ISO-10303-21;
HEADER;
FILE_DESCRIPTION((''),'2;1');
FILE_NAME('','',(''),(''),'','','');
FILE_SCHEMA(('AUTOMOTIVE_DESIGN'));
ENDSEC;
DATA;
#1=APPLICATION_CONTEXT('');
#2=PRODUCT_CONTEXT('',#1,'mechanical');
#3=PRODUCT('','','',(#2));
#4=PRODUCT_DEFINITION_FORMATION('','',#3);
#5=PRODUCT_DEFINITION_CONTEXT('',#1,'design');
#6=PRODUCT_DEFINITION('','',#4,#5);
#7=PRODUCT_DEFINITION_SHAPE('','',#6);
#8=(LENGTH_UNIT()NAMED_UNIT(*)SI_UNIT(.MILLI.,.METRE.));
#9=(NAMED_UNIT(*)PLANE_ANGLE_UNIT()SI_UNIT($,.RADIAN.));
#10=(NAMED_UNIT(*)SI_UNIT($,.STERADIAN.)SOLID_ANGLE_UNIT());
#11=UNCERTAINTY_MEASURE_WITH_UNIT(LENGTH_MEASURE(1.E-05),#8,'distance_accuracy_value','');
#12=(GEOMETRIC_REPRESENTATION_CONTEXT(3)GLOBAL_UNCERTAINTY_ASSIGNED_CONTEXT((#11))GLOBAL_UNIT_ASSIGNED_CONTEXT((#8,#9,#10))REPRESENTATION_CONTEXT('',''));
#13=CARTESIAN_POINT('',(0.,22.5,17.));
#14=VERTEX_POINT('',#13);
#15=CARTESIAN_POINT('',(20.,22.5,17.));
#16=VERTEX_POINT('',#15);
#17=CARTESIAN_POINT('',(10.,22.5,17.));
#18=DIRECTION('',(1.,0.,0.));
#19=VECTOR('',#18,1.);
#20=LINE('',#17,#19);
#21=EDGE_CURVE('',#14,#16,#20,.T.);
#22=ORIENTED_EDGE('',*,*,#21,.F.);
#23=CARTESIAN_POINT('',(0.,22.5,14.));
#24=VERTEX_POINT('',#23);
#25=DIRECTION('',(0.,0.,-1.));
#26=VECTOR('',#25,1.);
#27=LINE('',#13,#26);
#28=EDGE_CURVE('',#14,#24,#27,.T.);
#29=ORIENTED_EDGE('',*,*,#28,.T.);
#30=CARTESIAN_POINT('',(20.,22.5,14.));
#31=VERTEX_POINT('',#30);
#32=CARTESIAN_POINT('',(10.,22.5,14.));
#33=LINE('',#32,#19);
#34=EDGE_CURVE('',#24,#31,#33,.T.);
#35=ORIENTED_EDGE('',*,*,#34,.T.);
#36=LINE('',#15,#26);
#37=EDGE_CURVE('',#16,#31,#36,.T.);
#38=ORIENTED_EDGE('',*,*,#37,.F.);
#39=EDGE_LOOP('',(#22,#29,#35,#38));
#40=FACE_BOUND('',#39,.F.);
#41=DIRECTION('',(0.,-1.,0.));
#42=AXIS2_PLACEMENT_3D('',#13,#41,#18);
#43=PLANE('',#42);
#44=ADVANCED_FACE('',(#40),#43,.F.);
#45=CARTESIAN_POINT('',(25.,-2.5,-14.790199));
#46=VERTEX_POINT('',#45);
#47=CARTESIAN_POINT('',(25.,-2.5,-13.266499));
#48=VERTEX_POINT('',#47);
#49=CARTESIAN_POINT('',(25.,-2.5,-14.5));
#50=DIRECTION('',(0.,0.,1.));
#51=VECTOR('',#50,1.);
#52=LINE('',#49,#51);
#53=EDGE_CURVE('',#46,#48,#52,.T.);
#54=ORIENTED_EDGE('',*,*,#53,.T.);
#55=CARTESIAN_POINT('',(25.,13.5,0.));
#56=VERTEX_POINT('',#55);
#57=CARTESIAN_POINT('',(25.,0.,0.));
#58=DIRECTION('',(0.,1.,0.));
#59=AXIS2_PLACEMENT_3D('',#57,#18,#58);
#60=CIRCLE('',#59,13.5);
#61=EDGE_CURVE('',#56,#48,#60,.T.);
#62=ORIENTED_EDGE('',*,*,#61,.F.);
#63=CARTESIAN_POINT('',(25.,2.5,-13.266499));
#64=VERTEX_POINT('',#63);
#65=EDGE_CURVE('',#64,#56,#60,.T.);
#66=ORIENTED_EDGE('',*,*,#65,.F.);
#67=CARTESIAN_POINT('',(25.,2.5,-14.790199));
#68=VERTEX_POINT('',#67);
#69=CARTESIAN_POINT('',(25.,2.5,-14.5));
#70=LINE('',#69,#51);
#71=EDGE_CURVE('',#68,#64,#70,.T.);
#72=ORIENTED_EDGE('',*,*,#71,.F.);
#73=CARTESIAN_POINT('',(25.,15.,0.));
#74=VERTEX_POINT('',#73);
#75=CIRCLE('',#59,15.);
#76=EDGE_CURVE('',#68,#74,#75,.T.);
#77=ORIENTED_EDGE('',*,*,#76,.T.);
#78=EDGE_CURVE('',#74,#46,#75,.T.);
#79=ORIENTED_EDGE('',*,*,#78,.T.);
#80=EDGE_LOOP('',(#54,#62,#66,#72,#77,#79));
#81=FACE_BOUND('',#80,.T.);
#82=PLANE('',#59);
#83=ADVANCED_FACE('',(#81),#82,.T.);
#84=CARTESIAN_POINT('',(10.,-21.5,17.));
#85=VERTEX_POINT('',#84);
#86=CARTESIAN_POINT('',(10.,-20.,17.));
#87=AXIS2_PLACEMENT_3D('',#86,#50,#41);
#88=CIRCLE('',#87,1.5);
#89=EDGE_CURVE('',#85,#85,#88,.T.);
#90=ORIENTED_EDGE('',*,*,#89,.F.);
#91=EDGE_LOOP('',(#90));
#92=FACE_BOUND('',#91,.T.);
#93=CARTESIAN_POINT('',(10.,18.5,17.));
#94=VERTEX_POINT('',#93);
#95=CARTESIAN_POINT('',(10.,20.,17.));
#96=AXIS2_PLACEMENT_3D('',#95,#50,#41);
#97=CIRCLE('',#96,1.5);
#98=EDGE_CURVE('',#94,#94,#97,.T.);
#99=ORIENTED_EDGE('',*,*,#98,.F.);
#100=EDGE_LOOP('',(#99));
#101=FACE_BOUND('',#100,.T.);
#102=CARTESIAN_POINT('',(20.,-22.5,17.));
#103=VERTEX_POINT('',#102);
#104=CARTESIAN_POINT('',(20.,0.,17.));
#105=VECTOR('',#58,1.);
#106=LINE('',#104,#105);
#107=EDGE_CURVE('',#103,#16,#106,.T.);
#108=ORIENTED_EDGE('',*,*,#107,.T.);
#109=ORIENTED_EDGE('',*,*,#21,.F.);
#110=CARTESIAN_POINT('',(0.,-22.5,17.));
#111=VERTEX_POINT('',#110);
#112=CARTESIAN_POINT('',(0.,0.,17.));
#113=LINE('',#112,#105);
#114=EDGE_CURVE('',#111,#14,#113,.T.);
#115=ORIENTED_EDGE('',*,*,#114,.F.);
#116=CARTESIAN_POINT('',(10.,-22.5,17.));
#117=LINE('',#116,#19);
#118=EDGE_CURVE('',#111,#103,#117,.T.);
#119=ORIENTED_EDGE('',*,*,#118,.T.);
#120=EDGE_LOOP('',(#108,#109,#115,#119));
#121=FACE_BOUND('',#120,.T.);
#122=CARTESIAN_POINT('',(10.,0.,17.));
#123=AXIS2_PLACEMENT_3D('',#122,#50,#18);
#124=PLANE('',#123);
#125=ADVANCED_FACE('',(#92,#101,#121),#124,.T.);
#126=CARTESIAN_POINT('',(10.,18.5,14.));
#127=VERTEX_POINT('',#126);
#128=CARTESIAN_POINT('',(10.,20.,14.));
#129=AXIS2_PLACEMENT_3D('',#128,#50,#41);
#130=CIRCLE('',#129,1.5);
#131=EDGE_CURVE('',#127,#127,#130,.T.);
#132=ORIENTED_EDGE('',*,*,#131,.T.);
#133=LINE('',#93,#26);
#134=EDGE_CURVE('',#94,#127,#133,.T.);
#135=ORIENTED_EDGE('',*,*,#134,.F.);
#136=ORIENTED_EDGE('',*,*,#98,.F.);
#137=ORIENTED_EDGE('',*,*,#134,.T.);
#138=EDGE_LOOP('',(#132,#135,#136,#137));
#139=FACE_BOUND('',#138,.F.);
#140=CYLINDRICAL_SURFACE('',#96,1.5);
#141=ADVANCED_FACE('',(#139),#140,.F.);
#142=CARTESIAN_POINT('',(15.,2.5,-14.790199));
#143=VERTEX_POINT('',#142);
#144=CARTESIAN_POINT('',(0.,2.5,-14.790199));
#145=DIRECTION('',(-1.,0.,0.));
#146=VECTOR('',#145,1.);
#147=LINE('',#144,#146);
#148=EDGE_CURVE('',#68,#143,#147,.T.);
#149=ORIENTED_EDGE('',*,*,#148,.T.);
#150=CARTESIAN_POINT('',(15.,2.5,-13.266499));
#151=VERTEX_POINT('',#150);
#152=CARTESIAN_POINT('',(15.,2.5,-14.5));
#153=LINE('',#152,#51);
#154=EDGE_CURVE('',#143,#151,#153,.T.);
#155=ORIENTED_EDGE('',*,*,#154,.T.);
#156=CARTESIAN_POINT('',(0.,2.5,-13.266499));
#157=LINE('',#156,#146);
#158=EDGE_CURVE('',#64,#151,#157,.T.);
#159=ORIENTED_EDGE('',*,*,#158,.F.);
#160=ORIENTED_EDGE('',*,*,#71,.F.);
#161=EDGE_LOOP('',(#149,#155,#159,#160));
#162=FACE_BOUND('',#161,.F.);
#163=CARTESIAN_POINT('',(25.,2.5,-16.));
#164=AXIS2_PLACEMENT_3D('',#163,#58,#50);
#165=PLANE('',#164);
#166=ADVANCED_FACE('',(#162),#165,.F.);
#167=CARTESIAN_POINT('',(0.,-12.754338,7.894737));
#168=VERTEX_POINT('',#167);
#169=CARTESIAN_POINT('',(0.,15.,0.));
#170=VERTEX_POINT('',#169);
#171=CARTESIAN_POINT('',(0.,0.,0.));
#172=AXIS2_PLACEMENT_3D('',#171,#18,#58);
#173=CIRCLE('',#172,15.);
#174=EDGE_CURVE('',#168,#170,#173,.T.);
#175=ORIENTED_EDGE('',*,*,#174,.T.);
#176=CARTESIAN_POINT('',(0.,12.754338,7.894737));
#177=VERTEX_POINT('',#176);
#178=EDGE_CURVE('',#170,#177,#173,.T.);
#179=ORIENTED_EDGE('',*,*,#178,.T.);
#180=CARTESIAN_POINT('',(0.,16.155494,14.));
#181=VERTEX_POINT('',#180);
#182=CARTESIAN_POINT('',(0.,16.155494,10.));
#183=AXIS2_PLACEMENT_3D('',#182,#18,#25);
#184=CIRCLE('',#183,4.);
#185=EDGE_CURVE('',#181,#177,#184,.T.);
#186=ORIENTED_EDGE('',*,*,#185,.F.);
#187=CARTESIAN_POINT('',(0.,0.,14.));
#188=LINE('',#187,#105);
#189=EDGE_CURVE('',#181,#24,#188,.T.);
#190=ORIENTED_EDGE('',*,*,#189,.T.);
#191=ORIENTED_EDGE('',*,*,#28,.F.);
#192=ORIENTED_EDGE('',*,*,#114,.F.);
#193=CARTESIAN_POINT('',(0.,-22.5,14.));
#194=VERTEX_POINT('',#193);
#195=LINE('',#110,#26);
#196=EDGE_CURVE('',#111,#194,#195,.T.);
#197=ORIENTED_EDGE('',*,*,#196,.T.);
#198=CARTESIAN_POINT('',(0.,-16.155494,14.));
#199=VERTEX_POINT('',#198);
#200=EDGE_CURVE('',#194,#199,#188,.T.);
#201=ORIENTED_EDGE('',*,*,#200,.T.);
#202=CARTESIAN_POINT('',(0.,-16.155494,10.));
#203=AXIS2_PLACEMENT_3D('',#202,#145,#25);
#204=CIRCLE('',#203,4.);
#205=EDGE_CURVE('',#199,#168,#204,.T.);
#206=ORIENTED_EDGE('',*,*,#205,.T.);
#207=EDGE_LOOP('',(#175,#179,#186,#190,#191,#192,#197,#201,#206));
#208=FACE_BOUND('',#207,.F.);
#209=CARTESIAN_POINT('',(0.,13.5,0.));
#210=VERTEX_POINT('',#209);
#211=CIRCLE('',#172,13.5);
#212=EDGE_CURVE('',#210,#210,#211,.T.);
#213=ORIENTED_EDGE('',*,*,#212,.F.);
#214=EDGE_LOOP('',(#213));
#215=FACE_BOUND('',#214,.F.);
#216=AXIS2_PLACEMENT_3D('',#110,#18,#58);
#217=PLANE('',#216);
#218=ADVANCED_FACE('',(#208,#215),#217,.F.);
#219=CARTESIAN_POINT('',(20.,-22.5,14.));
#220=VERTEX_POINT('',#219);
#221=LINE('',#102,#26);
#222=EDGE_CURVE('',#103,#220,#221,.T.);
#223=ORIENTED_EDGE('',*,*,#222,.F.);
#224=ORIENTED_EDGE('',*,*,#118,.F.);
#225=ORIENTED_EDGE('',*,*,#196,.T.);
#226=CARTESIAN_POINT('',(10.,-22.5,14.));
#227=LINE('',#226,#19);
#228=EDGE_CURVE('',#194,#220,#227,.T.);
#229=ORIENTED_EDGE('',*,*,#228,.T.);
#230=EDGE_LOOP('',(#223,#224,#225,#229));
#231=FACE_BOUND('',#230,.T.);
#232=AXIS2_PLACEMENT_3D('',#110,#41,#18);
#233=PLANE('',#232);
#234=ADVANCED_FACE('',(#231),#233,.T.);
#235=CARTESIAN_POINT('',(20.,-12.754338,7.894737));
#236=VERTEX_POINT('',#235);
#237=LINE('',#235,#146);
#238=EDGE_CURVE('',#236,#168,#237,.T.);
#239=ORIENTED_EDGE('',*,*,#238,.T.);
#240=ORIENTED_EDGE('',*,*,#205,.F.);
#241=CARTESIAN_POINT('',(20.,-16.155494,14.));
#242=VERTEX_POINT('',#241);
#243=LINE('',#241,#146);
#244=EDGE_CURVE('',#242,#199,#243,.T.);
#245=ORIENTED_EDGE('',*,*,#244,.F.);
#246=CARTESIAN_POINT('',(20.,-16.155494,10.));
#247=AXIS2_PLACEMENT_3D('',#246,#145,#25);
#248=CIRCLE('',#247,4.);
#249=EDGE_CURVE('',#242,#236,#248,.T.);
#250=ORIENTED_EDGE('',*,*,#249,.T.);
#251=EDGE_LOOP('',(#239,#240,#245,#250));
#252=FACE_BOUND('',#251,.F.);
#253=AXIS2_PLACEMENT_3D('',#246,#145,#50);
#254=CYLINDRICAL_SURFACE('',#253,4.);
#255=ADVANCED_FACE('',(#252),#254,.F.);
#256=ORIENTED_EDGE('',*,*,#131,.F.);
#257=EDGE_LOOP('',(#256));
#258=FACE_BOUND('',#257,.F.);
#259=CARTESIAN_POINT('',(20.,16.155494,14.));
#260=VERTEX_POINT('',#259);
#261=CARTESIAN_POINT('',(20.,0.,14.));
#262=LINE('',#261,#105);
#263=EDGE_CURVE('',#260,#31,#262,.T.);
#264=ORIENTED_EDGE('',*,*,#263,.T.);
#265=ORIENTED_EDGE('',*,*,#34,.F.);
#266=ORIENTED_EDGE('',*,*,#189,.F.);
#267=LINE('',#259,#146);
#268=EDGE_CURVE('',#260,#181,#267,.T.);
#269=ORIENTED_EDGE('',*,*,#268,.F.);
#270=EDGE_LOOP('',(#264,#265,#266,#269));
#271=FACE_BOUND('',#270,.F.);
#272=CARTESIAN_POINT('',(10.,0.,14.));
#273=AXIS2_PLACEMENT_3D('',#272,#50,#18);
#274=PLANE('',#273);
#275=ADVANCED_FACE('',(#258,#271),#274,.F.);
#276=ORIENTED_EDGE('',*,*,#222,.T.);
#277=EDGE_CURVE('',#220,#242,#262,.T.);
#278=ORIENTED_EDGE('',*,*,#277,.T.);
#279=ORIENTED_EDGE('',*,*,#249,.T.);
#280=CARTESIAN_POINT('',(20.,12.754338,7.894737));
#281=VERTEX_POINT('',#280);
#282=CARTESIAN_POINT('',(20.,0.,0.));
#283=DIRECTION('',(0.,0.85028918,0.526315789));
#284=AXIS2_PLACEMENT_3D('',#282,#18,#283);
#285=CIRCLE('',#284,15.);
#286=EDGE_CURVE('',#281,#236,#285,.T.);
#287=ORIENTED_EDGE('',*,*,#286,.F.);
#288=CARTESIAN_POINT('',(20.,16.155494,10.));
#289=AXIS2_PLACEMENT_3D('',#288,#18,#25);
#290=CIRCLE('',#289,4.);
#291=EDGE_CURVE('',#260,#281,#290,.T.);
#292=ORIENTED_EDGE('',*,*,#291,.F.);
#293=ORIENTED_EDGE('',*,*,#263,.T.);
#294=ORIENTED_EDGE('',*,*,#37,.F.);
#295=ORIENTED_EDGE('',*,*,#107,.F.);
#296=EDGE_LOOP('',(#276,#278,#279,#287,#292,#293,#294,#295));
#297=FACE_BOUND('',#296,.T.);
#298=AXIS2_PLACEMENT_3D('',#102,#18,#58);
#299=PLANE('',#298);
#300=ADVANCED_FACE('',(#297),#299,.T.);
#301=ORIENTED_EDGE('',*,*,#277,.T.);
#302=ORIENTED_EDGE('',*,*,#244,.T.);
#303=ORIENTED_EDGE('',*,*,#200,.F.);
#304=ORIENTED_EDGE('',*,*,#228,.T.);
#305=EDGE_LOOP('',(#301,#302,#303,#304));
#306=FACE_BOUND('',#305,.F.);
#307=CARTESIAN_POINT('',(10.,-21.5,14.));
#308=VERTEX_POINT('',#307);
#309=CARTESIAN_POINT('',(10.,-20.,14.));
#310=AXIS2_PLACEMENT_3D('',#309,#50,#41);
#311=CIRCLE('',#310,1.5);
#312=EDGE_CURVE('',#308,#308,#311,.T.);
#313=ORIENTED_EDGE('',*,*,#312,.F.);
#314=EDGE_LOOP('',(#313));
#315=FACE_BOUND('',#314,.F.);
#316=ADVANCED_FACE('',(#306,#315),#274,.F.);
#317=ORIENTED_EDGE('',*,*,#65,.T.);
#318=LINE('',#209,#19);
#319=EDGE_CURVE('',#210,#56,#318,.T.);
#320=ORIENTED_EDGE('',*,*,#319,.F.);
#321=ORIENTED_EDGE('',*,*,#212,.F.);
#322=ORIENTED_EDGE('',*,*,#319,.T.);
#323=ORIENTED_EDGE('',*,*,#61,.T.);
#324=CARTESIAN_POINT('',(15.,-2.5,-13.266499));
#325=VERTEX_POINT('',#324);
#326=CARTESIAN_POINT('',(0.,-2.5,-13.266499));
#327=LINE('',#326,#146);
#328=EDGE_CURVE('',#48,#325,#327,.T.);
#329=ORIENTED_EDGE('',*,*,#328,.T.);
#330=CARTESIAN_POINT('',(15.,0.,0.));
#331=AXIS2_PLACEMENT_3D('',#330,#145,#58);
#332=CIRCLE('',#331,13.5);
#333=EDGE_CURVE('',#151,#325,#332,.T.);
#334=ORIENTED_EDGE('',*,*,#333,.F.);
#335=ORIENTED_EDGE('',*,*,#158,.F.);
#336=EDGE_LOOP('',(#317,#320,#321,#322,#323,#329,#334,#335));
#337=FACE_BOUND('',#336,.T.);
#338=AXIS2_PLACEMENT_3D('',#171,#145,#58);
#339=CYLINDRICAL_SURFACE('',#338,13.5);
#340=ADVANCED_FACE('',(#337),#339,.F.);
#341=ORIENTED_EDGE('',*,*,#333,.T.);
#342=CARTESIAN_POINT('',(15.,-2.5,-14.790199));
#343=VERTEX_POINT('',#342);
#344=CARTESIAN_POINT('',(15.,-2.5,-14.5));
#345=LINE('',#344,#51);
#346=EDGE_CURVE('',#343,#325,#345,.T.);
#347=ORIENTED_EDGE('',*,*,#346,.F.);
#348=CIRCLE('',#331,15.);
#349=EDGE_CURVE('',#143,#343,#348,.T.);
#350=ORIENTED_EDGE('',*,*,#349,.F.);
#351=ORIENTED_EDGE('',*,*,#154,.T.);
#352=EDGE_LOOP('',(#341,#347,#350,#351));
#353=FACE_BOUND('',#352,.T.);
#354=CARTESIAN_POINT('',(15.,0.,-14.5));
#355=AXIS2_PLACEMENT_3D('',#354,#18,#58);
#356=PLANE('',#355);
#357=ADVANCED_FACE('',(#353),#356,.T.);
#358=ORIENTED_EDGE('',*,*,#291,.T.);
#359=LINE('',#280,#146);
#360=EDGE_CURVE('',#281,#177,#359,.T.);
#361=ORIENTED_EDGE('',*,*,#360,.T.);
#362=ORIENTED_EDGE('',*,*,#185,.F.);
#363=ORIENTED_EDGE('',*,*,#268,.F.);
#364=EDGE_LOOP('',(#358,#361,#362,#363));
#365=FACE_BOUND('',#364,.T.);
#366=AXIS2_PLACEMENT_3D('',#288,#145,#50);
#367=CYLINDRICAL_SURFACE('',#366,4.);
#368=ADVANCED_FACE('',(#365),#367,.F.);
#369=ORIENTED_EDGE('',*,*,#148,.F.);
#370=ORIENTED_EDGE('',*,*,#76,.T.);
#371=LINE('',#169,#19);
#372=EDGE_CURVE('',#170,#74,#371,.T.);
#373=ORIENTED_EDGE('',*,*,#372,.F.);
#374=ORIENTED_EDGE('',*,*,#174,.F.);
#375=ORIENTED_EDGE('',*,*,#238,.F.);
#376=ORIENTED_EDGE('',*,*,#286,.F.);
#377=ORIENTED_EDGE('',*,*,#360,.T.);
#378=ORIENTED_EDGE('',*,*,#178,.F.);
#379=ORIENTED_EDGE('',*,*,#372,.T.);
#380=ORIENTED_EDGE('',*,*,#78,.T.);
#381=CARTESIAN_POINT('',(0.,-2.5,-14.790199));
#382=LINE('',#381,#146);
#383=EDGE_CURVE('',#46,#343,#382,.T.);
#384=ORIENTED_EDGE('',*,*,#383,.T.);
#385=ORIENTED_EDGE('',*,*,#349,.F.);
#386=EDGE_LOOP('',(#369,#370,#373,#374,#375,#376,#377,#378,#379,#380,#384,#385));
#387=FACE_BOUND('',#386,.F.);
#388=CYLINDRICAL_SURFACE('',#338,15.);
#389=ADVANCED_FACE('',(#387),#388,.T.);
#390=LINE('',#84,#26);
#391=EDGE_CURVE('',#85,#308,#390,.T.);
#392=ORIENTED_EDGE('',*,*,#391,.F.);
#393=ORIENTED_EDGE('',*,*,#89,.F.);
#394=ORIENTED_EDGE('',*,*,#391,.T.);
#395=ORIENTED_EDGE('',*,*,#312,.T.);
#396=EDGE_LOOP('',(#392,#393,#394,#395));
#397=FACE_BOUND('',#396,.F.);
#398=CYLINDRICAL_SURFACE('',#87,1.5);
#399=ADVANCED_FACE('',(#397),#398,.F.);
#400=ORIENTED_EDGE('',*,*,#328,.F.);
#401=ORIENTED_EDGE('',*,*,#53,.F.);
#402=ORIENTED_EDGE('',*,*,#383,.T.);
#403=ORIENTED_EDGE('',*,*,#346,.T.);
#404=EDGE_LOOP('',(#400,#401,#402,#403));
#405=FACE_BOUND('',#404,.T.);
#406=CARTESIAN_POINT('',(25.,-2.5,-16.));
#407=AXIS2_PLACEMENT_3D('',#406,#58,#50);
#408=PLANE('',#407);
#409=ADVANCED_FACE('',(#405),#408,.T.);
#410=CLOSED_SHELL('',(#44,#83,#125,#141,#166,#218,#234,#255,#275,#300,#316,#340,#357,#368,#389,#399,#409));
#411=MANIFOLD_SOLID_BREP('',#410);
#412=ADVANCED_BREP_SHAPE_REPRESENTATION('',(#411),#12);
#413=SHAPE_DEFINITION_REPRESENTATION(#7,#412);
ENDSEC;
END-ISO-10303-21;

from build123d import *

# Parameters (mm, degrees)
SKETCH_R        = 15
SKETCH_R_2      = 13.5
PAD_DEPTH       = 25
SKETCH001_W     = 5
SKETCH001_H     = 3
POCKET_DEPTH    = 10
SKETCH002_W     = 20
SKETCH002_H     = 45
PAD001_DEPTH    = 3
FILLET_R        = 4
FILLET001_R     = 4
SKETCH003_R     = 1.5
POCKET001_DEPTH = 5


with BuildPart() as part:
    # Sketch → Pad (new body)
    with BuildSketch(Plane.YZ):
        Circle(SKETCH_R)
        Circle(SKETCH_R_2, mode=Mode.SUBTRACT)
    extrude(amount=PAD_DEPTH)

    # Sketch001 (on Face4 of Pad) → Pocket (cut)
    with BuildSketch(Plane.YZ.offset(25)):
        with Locations((0, -14.5)):
            Rectangle(SKETCH001_W, SKETCH001_H)
    extrude(amount=-POCKET_DEPTH, mode=Mode.SUBTRACT)

    # Sketch002 (on DatumPlane) → Pad001 (join)
    with BuildSketch(Plane.XY.offset(17)):
        with Locations((10, 0)):
            Rectangle(SKETCH002_W, SKETCH002_H)
    extrude(amount=-PAD001_DEPTH)

    # Fillet
    fillet_edges = [part.edges().sort_by_distance(p)[0] for p in [
        (10, -5.385165, 14),
    ]]
    fillet(fillet_edges, radius=FILLET_R)

    # Fillet001
    fillet001_edges = [part.edges().sort_by_distance(p)[0] for p in [
        (10, 5.385165, 14),
    ]]
    fillet(fillet001_edges, radius=FILLET001_R)

    # Sketch003 (on Face15 of Fillet001) → Pocket001 (cut)
    with BuildSketch(Plane(origin=(0, 0, 17), x_dir=(0, -1, 0), z_dir=(0, 0, 1))):
        with Locations((-20, 10)):
            Circle(SKETCH003_R)
        with Locations((20, 10)):
            Circle(SKETCH003_R)
    extrude(amount=-POCKET001_DEPTH, mode=Mode.SUBTRACT)


solid = part.part
